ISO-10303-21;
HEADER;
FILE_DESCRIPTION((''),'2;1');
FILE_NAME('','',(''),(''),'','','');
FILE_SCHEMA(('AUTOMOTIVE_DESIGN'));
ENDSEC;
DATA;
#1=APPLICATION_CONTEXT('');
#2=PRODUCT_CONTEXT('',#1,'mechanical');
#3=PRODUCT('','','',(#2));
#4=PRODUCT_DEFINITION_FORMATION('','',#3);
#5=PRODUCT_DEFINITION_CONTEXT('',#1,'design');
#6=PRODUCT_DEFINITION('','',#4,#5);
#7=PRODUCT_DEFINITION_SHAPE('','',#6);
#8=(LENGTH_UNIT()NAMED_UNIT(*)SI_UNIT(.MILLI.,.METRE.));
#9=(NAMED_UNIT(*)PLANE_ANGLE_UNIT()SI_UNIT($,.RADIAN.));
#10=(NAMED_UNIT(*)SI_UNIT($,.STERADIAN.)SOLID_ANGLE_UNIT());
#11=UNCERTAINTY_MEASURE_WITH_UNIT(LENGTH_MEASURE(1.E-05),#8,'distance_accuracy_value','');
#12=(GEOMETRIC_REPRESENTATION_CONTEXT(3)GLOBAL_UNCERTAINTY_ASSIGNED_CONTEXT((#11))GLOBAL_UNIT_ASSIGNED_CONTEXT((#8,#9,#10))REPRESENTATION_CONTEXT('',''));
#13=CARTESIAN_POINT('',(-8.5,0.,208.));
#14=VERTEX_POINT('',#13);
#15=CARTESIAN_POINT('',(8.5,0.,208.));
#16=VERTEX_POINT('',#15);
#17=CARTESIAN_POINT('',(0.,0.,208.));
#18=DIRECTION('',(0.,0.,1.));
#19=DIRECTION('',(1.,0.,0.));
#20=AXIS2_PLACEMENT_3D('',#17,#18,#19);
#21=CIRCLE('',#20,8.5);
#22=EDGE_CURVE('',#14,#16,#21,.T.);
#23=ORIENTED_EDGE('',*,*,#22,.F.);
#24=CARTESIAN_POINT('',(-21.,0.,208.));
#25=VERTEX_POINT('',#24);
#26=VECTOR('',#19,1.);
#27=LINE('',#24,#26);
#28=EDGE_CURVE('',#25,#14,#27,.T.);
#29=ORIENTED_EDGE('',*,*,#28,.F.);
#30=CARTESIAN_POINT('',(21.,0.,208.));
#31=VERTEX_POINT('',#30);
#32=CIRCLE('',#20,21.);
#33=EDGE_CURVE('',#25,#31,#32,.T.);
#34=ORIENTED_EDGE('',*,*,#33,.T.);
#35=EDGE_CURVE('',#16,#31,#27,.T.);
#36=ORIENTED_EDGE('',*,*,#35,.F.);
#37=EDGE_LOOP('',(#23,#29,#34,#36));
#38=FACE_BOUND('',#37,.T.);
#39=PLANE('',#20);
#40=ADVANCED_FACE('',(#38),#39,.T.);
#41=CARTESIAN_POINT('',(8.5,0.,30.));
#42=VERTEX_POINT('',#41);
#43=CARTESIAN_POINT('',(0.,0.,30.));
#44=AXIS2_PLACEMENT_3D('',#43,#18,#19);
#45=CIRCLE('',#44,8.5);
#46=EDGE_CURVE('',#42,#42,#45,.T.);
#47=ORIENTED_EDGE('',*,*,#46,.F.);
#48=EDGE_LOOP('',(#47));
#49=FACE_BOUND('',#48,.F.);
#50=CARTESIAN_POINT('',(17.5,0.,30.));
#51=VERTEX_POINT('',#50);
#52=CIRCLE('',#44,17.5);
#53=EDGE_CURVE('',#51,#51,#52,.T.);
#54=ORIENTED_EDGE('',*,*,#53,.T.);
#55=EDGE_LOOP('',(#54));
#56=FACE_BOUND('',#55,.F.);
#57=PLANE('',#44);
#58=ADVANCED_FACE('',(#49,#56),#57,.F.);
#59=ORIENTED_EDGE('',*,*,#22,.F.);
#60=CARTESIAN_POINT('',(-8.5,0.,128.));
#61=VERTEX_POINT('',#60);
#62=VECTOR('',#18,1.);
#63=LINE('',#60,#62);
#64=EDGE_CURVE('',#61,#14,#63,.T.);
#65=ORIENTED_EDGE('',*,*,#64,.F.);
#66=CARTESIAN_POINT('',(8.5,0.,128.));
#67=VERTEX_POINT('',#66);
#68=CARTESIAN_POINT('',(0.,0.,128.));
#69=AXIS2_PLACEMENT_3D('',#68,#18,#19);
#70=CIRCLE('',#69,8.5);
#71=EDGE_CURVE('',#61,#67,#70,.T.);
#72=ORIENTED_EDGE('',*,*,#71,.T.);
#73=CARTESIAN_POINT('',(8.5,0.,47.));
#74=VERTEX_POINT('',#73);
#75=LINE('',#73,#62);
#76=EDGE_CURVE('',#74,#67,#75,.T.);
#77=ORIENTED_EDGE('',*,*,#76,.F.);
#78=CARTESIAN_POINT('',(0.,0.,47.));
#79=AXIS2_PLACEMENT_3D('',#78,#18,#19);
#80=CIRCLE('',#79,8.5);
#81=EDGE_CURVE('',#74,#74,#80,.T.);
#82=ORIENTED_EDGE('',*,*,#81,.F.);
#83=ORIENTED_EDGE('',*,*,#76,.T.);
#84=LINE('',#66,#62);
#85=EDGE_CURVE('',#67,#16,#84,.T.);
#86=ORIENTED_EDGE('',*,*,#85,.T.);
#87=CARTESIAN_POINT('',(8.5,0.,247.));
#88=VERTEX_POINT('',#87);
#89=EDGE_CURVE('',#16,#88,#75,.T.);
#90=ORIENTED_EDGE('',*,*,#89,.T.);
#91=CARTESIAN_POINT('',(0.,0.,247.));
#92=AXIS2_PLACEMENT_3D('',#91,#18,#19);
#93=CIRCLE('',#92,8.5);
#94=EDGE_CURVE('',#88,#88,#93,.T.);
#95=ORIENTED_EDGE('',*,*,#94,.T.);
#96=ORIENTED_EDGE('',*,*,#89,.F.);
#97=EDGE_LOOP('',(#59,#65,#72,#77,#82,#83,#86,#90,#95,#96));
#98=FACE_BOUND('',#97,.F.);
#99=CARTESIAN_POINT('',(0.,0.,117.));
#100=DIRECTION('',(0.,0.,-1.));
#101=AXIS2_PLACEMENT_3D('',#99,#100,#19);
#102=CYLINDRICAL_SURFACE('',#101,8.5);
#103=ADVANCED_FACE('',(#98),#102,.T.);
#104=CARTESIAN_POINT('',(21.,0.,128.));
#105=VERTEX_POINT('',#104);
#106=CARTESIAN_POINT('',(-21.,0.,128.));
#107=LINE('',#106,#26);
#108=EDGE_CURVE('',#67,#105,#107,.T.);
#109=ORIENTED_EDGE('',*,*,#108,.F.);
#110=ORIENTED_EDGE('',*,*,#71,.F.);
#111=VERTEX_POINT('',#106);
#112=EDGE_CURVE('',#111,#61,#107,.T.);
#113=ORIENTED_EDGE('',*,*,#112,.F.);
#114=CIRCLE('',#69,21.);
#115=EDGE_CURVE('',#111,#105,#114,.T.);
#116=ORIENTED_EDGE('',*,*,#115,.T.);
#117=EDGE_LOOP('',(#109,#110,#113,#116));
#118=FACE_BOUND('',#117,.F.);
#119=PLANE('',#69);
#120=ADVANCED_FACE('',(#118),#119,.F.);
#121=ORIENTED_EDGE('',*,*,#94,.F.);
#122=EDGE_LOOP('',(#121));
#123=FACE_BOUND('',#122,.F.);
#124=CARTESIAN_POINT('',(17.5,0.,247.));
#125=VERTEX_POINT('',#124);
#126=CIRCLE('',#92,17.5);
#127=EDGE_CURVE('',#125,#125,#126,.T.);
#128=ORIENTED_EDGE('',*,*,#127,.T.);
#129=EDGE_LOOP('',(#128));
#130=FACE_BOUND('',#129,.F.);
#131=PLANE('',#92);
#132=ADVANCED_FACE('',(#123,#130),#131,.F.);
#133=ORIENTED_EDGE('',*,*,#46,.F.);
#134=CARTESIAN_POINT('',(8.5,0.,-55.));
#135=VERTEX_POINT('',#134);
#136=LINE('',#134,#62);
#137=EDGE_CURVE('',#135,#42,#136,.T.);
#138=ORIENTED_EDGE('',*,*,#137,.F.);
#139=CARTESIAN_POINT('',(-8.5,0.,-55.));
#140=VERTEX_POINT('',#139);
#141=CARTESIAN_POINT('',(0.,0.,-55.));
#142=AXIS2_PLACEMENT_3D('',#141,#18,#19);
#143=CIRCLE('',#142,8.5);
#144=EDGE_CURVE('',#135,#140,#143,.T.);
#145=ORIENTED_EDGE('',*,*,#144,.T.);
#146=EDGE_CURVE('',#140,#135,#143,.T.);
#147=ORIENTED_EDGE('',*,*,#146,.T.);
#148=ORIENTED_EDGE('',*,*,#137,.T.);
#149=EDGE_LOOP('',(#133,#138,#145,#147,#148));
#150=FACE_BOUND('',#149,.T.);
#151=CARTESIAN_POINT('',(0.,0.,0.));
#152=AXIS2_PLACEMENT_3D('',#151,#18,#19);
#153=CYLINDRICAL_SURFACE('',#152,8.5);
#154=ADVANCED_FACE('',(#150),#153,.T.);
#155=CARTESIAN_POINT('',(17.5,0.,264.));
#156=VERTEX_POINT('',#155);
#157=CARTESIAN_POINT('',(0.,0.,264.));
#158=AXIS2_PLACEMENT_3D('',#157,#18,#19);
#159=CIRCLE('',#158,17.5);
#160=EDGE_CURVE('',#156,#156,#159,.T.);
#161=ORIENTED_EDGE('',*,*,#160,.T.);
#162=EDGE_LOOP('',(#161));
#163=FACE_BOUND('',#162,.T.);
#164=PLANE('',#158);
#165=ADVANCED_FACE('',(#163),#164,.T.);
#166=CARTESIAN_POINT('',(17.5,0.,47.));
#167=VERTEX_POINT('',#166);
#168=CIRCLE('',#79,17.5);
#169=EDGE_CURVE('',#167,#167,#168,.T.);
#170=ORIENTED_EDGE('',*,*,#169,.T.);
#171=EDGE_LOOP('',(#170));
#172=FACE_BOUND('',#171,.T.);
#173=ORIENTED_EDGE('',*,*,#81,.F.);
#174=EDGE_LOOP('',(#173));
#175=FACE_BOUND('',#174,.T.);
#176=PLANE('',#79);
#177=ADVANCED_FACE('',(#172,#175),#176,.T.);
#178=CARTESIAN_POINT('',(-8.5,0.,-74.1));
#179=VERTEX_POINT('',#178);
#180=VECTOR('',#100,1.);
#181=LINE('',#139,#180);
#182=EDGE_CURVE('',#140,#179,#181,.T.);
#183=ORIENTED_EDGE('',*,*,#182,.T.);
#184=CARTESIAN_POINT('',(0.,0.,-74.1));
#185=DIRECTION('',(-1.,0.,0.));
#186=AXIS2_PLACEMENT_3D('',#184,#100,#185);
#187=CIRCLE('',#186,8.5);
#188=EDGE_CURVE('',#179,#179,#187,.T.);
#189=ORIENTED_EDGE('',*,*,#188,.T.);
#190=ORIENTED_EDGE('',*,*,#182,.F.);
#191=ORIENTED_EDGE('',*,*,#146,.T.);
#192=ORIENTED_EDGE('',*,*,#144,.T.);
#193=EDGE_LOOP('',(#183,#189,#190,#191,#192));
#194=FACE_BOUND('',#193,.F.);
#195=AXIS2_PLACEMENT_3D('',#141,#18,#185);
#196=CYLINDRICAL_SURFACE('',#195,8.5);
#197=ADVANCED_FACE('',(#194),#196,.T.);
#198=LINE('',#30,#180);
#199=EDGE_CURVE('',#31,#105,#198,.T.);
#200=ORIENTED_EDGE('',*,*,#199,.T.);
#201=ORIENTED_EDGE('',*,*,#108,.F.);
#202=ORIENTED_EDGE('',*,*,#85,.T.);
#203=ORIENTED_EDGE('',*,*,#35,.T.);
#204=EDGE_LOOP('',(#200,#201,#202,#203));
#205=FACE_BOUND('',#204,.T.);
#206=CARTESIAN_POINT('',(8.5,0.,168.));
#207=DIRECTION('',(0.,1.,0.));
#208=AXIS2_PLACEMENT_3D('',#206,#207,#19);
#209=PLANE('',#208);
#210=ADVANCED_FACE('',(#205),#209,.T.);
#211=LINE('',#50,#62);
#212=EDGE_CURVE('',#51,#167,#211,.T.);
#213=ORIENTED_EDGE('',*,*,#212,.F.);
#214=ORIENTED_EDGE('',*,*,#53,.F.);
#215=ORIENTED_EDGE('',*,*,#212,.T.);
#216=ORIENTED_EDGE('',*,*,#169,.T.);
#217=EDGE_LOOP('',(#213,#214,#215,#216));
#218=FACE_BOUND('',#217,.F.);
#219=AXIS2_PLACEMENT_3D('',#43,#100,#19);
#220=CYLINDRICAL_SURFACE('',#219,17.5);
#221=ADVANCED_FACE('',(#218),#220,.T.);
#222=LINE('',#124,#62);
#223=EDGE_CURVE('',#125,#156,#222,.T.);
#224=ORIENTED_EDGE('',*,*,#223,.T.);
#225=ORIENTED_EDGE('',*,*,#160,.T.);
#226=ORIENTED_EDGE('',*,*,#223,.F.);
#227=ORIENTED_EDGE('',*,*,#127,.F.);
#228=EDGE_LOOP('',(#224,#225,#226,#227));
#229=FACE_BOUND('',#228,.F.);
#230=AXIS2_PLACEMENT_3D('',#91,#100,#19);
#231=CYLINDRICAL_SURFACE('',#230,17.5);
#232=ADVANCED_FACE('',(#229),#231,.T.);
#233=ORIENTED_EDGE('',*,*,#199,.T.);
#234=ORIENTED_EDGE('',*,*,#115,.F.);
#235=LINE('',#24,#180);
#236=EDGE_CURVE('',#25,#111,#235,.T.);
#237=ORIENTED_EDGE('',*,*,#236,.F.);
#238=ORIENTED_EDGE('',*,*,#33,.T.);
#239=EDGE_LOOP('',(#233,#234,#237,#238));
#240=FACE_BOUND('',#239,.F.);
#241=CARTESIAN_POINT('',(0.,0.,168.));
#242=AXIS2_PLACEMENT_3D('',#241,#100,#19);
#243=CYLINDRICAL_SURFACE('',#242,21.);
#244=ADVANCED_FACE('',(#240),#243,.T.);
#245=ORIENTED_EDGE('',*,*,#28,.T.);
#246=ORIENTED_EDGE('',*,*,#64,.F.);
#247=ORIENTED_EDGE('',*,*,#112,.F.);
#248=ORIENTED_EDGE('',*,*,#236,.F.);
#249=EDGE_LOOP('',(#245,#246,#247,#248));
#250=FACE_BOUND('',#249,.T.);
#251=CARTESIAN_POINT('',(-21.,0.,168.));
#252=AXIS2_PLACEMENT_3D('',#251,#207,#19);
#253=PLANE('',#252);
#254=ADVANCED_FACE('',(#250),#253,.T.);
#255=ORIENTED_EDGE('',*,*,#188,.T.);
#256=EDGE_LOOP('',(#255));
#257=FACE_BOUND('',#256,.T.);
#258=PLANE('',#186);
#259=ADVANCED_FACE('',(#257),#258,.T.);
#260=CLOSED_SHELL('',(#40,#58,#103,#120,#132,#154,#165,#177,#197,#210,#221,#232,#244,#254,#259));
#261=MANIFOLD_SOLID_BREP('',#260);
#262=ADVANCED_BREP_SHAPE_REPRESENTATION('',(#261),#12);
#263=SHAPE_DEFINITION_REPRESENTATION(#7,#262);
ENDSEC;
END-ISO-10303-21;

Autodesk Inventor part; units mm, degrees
ref_plane "YZ Plane" through (0, 0, 0) normal (1, 0, 0) x (0, 1, 0)
ref_plane "XZ Plane" through (0, 0, 0) normal (0, 1, 0) x (-1, 0, 0)
ref_plane "XY Plane" through (0, 0, 0) normal (0, 0, 1) x (1, 0, 0)
sketch "Эскиз1" plane through (0, 0, 0) normal (0, 0, 1) x (1, 0, 0)
  circle A0 centre (0, 0) radius 8.5
  dimension "d1" = 17
extrude "Выдавливание1" add sketch "Эскиз1" against normal blind 55
sketch "Эскиз2" plane through (0, 0, 0) normal (0, 0, 1) x (1, 0, 0)
  circle A0 centre (0, 0) radius 8.5
  dimension "d10" = 17
extrude "Выдавливание2" add sketch "Эскиз2" along normal blind 30
sketch "Эскиз3" plane through (0, 0, 30) normal (0, 0, 1) x (1, 0, 0)
  circle A0 centre (0, 0) radius 17.5
  dimension "d7" = 35
extrude "Выдавливание3" add sketch "Эскиз3" along normal blind 17
sketch "Эскиз4" plane through (0, 0, 47) normal (0, 0, 1) x (1, 0, 0)
  circle A0 centre (0, 0) radius 8.5
  line L0 (8.5, 0) -> (20, 0) projected
  point P0 (-16, 0)
  dimension "d25" = 17
extrude "Выдавливание4" add sketch "Эскиз4" along normal blind 15
sketch "Эскиз6" plane through (0, 0, 62) normal (0, 0, 1) x (1, 0, 0)
  circle A0 centre (0, 0) radius 8.5
  point P0 (-16, 0)
  point P1 (20, 0)
  dimension "d24" = 17
extrude "Выдавливание5" add sketch "Эскиз6" along normal blind 55
sketch "Эскиз7" plane through (0, 0, 117) normal (0, 0, 1) x (1, 0, 0)
  circle A0 centre (0, 0) radius 8.5
  dimension "d26" = 17
extrude "Выдавливание6" add sketch "Эскиз7" along normal blind 130
sketch "Эскиз8" plane through (0, 0, 247) normal (0, 0, 1) x (1, 0, 0)
  circle A0 centre (0, 0) radius 17.5
  dimension "d23" = 35
extrude "Выдавливание7" add sketch "Эскиз8" along normal blind 17
sketch "Эскиз9" plane through (0, 0, -55) normal (0, 0, -1) x (-1, 0, 0)
  circle A0 centre (0, 0) radius 8.5
extrude "Выдавливание8" add sketch "Эскиз9" along normal blind 19.1
ref_plane "РабПлоскость1" through (0, 0, 168) normal (0, 0, 1) x (1, 0, 0)
sketch "Эскиз10" plane through (0, 0, 168) normal (0, 0, 1) x (1, 0, 0)
  circle A0 centre (0, 0) radius 8.5
  circle A1 centre (0, 0) radius 21
  line L0 (-21, 0) -> (21, 0)
  point P0 (-8.5, 0)
  point P1 (8.5, 0)
  dimension "d30" = 42
extrude "Выдавливание9" add sketch "Эскиз10" along normal mid plane 80 contours L0 A1 A0 picked at (16.6299, -1.6752)
properties part number "балансирный_вал"
